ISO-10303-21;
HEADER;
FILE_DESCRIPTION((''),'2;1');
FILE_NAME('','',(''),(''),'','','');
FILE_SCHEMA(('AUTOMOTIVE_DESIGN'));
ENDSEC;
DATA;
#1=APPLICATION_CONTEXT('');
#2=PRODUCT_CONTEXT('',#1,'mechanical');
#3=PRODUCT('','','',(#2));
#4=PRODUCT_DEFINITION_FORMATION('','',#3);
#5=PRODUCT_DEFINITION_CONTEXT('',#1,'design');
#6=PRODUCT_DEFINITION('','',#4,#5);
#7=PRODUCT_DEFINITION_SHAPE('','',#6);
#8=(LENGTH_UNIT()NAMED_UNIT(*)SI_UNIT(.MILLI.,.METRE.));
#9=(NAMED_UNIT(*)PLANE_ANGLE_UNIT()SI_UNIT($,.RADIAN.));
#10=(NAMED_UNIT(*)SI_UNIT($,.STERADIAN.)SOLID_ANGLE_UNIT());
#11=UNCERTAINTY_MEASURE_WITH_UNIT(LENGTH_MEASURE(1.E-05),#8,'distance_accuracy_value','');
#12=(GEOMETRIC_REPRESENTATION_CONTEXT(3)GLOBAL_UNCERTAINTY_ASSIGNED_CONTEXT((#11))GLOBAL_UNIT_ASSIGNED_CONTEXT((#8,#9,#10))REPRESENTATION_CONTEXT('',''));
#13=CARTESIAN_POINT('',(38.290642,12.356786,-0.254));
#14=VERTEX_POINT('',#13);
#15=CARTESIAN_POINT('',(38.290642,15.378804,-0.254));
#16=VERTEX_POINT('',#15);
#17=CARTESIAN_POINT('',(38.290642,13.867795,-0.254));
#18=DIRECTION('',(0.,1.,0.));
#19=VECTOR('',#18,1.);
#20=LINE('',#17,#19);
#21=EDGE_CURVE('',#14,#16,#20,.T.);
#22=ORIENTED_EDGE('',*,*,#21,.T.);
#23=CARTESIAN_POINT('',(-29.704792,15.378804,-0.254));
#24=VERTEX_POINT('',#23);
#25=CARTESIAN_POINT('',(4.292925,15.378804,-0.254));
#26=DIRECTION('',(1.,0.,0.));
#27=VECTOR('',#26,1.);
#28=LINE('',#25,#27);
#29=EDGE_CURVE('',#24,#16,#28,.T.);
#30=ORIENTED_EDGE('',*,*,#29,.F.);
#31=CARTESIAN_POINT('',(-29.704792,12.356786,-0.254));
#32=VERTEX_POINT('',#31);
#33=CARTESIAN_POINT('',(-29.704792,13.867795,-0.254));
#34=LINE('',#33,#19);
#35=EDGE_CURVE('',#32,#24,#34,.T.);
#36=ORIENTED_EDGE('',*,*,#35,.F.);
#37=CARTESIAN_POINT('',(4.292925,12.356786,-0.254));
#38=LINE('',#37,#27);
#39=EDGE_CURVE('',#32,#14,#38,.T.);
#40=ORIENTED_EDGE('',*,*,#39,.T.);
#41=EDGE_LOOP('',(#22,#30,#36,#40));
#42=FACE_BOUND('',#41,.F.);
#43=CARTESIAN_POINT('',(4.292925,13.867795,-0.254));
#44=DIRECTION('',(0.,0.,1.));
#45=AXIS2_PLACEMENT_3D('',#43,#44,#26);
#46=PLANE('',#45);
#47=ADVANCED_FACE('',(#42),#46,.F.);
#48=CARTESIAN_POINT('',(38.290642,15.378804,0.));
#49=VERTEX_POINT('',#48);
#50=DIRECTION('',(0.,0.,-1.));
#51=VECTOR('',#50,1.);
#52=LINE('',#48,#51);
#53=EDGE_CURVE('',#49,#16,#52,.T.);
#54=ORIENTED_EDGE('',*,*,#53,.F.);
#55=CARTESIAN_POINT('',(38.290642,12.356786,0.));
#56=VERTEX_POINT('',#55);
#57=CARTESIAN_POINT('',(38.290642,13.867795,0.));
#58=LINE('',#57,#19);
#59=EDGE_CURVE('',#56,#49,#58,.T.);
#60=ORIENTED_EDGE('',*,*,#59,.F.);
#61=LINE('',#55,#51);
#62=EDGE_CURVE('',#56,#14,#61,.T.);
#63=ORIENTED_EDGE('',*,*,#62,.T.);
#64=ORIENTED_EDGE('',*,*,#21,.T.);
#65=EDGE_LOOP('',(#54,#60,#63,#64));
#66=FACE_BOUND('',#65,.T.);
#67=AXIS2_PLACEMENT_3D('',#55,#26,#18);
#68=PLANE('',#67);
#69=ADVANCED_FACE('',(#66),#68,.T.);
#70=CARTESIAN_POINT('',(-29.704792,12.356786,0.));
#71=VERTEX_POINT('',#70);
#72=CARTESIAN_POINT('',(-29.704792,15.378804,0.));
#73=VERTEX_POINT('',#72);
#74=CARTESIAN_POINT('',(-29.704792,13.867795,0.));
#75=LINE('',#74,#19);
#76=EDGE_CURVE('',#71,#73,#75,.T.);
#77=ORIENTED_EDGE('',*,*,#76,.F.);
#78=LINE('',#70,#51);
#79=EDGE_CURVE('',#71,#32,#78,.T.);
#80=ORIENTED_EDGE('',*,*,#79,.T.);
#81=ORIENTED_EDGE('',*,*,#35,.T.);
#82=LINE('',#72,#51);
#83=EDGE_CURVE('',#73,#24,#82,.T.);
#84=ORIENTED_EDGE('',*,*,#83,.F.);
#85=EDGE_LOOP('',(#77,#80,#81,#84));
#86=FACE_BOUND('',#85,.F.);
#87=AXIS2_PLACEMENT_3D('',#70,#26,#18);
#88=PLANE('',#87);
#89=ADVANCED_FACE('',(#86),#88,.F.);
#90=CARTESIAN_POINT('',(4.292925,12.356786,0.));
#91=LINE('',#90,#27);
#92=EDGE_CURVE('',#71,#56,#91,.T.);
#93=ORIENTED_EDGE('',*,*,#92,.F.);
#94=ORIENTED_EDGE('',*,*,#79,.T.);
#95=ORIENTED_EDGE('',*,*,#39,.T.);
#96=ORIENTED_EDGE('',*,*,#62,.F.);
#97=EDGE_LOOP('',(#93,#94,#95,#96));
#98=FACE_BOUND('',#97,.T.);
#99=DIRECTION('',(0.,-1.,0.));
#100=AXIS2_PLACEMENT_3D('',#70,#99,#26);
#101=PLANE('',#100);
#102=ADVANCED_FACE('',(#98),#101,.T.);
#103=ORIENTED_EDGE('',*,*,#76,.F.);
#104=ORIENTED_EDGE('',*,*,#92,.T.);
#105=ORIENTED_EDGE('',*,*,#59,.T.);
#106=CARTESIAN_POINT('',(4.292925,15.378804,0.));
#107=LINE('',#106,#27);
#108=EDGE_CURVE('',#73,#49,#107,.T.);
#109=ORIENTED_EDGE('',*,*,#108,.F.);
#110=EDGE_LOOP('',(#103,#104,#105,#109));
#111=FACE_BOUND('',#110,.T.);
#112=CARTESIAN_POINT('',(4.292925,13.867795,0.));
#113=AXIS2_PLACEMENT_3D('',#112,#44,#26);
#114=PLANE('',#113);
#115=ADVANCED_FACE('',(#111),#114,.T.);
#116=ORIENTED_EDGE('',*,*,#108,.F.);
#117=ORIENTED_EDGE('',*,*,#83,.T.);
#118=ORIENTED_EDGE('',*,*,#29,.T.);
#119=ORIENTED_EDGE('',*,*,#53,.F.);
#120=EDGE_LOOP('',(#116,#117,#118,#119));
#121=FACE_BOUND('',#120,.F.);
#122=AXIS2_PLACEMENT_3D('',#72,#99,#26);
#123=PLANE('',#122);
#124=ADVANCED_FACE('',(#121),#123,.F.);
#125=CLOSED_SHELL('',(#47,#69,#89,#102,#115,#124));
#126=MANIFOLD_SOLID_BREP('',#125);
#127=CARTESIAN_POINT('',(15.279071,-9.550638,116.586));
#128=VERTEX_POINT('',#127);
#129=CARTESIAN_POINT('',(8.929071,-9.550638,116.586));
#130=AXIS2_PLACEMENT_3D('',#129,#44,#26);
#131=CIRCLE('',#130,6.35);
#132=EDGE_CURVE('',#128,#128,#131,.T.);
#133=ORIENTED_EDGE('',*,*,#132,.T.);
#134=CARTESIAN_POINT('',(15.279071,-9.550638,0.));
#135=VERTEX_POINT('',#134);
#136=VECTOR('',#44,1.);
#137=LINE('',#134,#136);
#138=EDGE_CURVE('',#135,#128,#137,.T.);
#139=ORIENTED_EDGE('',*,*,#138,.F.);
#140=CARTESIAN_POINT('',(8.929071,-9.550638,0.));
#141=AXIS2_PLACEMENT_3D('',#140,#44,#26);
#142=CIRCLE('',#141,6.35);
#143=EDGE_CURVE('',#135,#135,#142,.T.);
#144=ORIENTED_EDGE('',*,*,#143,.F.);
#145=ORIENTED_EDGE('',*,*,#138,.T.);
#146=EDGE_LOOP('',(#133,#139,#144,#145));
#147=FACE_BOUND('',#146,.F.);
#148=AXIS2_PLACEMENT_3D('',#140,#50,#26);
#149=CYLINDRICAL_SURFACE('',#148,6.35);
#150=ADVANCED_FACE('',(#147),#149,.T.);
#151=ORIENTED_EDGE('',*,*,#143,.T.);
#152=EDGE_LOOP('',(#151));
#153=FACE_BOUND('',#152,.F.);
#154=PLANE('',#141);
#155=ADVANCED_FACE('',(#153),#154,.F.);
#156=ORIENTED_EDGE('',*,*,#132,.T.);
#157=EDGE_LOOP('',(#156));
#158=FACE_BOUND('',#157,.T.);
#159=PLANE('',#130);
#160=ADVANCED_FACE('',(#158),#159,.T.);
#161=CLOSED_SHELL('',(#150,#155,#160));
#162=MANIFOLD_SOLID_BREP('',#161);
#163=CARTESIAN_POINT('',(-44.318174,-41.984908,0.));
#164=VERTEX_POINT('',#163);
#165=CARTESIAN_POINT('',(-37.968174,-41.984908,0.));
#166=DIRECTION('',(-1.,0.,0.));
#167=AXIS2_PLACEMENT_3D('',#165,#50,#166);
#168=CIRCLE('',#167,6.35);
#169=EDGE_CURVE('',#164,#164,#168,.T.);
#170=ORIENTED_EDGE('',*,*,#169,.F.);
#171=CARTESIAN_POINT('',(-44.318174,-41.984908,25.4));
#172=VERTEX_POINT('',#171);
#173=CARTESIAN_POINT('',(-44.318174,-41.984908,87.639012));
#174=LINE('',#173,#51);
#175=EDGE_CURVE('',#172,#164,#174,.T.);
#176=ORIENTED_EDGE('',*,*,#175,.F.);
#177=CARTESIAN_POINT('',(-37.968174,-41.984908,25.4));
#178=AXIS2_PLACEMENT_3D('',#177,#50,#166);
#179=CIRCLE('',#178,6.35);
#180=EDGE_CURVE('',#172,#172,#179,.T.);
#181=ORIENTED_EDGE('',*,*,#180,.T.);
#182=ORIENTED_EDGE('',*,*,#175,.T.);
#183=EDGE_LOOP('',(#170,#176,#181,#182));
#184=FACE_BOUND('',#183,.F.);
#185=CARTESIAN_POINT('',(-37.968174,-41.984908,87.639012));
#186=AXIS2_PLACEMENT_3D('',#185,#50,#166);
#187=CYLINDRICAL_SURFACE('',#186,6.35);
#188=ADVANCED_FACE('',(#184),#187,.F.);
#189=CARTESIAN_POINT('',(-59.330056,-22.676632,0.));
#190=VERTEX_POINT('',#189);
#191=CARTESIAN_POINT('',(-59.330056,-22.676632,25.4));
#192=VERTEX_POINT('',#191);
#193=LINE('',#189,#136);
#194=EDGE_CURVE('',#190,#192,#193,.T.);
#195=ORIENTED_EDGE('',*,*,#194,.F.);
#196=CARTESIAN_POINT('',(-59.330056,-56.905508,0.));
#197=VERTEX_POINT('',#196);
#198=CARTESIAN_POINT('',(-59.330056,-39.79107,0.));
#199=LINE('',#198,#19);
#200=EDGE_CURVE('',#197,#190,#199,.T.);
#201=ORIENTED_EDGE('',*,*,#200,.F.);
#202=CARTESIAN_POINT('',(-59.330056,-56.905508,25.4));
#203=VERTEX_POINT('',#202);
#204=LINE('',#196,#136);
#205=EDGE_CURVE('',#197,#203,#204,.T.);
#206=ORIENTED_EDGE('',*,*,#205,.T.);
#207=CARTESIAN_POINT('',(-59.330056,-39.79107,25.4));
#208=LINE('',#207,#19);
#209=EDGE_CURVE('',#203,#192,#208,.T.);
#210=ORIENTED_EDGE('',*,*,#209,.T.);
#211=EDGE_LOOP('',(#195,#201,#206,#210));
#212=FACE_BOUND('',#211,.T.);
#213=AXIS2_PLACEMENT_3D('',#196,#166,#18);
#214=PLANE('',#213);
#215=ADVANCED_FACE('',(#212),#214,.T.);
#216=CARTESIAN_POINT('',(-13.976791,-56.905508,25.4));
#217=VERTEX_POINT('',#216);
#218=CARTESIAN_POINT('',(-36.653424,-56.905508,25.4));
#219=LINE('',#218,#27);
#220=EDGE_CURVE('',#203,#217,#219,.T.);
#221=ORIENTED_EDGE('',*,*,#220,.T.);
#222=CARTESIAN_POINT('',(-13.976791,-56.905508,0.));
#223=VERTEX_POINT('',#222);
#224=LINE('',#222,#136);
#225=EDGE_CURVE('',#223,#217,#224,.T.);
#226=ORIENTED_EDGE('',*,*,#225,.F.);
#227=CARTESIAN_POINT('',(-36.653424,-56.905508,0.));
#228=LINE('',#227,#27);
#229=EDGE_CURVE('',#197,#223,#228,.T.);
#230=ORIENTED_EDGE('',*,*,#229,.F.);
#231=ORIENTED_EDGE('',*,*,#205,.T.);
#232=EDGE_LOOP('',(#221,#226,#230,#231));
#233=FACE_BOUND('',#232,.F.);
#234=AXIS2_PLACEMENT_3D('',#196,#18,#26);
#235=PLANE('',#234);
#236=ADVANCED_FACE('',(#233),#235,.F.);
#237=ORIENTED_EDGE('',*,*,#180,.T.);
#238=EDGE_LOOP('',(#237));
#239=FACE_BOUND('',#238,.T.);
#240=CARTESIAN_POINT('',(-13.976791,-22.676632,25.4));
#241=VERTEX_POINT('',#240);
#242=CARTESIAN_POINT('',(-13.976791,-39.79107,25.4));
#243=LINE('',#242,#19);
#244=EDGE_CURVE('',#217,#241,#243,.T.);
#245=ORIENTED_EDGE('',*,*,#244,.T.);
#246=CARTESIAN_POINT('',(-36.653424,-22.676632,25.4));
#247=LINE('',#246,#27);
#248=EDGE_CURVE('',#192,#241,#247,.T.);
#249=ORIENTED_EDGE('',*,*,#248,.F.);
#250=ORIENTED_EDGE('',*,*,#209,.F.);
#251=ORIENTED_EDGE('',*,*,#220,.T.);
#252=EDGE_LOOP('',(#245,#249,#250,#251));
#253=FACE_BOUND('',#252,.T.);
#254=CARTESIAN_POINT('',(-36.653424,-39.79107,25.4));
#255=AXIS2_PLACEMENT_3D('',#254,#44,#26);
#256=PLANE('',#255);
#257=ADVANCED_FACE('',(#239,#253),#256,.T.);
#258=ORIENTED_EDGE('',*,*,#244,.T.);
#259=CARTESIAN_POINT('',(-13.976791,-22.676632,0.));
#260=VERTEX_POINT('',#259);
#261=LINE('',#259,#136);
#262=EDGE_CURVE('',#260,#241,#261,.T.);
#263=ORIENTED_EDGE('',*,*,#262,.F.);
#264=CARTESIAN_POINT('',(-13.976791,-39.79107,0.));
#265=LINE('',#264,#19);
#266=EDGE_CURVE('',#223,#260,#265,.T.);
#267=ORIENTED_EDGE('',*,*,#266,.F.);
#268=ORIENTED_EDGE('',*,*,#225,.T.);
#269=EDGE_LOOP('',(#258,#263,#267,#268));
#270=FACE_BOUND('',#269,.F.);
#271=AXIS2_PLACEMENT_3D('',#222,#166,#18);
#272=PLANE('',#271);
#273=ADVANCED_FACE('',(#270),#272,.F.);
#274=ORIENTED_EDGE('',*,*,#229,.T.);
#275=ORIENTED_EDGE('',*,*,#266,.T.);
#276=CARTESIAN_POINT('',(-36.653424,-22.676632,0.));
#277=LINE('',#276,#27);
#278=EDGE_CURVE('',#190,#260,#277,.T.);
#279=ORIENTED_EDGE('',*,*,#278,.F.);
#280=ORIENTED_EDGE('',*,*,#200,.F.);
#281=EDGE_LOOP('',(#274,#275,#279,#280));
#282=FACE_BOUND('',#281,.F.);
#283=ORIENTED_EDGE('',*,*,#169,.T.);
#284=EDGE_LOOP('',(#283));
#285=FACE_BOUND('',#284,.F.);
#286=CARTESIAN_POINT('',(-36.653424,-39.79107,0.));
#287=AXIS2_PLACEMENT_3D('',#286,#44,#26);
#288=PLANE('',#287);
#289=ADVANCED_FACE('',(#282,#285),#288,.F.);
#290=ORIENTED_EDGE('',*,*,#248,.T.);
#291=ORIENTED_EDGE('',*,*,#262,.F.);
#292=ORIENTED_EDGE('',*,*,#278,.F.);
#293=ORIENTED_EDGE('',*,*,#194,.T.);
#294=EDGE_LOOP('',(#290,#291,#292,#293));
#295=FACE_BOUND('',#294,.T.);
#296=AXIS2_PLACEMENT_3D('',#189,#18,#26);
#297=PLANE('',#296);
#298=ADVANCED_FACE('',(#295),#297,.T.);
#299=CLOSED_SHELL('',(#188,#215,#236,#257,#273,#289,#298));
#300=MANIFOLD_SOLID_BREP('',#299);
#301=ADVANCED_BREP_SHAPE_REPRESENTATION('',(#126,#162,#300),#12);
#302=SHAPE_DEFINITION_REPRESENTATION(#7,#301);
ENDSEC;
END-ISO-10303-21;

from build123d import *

# Parameters (mm, degrees)
F0_W     = 67.995434
F0_H     = 3.022018
F1_DEPTH = 0.254
F2_W     = 45.353265
F2_H     = 34.228876
F3_DEPTH = 25.4
F5_D     = 12.7
F6_R     = 6.35
F7_DEPTH = 116.586


with BuildPart() as f1:
    # F0 (on Top) → F1 (new body)
    with BuildSketch(Plane.XY):
        with Locations((4.292925, 13.867795)):
            Rectangle(F0_W, F0_H)
    extrude(amount=-F1_DEPTH)


with BuildPart() as f3:
    # F2 (on Top) → F3 (new body)
    with BuildSketch(Plane.XY):
        with Locations((-36.653424, -39.79107)):
            Rectangle(F2_W, F2_H)
    extrude(amount=F3_DEPTH)

    # F5 (through all)
    with Locations(Plane.XY.offset(25.4)):
        with Locations((-37.968174, -41.984908)):
            Hole(F5_D / 2)


with BuildPart() as f7:
    # F6 (on Top) → F7 (new body)
    with BuildSketch(Plane.XY):
        with Locations((8.929071, -9.550638)):
            Circle(F6_R)
    extrude(amount=F7_DEPTH)


solid = Compound([f1.part, f3.part, f7.part])
